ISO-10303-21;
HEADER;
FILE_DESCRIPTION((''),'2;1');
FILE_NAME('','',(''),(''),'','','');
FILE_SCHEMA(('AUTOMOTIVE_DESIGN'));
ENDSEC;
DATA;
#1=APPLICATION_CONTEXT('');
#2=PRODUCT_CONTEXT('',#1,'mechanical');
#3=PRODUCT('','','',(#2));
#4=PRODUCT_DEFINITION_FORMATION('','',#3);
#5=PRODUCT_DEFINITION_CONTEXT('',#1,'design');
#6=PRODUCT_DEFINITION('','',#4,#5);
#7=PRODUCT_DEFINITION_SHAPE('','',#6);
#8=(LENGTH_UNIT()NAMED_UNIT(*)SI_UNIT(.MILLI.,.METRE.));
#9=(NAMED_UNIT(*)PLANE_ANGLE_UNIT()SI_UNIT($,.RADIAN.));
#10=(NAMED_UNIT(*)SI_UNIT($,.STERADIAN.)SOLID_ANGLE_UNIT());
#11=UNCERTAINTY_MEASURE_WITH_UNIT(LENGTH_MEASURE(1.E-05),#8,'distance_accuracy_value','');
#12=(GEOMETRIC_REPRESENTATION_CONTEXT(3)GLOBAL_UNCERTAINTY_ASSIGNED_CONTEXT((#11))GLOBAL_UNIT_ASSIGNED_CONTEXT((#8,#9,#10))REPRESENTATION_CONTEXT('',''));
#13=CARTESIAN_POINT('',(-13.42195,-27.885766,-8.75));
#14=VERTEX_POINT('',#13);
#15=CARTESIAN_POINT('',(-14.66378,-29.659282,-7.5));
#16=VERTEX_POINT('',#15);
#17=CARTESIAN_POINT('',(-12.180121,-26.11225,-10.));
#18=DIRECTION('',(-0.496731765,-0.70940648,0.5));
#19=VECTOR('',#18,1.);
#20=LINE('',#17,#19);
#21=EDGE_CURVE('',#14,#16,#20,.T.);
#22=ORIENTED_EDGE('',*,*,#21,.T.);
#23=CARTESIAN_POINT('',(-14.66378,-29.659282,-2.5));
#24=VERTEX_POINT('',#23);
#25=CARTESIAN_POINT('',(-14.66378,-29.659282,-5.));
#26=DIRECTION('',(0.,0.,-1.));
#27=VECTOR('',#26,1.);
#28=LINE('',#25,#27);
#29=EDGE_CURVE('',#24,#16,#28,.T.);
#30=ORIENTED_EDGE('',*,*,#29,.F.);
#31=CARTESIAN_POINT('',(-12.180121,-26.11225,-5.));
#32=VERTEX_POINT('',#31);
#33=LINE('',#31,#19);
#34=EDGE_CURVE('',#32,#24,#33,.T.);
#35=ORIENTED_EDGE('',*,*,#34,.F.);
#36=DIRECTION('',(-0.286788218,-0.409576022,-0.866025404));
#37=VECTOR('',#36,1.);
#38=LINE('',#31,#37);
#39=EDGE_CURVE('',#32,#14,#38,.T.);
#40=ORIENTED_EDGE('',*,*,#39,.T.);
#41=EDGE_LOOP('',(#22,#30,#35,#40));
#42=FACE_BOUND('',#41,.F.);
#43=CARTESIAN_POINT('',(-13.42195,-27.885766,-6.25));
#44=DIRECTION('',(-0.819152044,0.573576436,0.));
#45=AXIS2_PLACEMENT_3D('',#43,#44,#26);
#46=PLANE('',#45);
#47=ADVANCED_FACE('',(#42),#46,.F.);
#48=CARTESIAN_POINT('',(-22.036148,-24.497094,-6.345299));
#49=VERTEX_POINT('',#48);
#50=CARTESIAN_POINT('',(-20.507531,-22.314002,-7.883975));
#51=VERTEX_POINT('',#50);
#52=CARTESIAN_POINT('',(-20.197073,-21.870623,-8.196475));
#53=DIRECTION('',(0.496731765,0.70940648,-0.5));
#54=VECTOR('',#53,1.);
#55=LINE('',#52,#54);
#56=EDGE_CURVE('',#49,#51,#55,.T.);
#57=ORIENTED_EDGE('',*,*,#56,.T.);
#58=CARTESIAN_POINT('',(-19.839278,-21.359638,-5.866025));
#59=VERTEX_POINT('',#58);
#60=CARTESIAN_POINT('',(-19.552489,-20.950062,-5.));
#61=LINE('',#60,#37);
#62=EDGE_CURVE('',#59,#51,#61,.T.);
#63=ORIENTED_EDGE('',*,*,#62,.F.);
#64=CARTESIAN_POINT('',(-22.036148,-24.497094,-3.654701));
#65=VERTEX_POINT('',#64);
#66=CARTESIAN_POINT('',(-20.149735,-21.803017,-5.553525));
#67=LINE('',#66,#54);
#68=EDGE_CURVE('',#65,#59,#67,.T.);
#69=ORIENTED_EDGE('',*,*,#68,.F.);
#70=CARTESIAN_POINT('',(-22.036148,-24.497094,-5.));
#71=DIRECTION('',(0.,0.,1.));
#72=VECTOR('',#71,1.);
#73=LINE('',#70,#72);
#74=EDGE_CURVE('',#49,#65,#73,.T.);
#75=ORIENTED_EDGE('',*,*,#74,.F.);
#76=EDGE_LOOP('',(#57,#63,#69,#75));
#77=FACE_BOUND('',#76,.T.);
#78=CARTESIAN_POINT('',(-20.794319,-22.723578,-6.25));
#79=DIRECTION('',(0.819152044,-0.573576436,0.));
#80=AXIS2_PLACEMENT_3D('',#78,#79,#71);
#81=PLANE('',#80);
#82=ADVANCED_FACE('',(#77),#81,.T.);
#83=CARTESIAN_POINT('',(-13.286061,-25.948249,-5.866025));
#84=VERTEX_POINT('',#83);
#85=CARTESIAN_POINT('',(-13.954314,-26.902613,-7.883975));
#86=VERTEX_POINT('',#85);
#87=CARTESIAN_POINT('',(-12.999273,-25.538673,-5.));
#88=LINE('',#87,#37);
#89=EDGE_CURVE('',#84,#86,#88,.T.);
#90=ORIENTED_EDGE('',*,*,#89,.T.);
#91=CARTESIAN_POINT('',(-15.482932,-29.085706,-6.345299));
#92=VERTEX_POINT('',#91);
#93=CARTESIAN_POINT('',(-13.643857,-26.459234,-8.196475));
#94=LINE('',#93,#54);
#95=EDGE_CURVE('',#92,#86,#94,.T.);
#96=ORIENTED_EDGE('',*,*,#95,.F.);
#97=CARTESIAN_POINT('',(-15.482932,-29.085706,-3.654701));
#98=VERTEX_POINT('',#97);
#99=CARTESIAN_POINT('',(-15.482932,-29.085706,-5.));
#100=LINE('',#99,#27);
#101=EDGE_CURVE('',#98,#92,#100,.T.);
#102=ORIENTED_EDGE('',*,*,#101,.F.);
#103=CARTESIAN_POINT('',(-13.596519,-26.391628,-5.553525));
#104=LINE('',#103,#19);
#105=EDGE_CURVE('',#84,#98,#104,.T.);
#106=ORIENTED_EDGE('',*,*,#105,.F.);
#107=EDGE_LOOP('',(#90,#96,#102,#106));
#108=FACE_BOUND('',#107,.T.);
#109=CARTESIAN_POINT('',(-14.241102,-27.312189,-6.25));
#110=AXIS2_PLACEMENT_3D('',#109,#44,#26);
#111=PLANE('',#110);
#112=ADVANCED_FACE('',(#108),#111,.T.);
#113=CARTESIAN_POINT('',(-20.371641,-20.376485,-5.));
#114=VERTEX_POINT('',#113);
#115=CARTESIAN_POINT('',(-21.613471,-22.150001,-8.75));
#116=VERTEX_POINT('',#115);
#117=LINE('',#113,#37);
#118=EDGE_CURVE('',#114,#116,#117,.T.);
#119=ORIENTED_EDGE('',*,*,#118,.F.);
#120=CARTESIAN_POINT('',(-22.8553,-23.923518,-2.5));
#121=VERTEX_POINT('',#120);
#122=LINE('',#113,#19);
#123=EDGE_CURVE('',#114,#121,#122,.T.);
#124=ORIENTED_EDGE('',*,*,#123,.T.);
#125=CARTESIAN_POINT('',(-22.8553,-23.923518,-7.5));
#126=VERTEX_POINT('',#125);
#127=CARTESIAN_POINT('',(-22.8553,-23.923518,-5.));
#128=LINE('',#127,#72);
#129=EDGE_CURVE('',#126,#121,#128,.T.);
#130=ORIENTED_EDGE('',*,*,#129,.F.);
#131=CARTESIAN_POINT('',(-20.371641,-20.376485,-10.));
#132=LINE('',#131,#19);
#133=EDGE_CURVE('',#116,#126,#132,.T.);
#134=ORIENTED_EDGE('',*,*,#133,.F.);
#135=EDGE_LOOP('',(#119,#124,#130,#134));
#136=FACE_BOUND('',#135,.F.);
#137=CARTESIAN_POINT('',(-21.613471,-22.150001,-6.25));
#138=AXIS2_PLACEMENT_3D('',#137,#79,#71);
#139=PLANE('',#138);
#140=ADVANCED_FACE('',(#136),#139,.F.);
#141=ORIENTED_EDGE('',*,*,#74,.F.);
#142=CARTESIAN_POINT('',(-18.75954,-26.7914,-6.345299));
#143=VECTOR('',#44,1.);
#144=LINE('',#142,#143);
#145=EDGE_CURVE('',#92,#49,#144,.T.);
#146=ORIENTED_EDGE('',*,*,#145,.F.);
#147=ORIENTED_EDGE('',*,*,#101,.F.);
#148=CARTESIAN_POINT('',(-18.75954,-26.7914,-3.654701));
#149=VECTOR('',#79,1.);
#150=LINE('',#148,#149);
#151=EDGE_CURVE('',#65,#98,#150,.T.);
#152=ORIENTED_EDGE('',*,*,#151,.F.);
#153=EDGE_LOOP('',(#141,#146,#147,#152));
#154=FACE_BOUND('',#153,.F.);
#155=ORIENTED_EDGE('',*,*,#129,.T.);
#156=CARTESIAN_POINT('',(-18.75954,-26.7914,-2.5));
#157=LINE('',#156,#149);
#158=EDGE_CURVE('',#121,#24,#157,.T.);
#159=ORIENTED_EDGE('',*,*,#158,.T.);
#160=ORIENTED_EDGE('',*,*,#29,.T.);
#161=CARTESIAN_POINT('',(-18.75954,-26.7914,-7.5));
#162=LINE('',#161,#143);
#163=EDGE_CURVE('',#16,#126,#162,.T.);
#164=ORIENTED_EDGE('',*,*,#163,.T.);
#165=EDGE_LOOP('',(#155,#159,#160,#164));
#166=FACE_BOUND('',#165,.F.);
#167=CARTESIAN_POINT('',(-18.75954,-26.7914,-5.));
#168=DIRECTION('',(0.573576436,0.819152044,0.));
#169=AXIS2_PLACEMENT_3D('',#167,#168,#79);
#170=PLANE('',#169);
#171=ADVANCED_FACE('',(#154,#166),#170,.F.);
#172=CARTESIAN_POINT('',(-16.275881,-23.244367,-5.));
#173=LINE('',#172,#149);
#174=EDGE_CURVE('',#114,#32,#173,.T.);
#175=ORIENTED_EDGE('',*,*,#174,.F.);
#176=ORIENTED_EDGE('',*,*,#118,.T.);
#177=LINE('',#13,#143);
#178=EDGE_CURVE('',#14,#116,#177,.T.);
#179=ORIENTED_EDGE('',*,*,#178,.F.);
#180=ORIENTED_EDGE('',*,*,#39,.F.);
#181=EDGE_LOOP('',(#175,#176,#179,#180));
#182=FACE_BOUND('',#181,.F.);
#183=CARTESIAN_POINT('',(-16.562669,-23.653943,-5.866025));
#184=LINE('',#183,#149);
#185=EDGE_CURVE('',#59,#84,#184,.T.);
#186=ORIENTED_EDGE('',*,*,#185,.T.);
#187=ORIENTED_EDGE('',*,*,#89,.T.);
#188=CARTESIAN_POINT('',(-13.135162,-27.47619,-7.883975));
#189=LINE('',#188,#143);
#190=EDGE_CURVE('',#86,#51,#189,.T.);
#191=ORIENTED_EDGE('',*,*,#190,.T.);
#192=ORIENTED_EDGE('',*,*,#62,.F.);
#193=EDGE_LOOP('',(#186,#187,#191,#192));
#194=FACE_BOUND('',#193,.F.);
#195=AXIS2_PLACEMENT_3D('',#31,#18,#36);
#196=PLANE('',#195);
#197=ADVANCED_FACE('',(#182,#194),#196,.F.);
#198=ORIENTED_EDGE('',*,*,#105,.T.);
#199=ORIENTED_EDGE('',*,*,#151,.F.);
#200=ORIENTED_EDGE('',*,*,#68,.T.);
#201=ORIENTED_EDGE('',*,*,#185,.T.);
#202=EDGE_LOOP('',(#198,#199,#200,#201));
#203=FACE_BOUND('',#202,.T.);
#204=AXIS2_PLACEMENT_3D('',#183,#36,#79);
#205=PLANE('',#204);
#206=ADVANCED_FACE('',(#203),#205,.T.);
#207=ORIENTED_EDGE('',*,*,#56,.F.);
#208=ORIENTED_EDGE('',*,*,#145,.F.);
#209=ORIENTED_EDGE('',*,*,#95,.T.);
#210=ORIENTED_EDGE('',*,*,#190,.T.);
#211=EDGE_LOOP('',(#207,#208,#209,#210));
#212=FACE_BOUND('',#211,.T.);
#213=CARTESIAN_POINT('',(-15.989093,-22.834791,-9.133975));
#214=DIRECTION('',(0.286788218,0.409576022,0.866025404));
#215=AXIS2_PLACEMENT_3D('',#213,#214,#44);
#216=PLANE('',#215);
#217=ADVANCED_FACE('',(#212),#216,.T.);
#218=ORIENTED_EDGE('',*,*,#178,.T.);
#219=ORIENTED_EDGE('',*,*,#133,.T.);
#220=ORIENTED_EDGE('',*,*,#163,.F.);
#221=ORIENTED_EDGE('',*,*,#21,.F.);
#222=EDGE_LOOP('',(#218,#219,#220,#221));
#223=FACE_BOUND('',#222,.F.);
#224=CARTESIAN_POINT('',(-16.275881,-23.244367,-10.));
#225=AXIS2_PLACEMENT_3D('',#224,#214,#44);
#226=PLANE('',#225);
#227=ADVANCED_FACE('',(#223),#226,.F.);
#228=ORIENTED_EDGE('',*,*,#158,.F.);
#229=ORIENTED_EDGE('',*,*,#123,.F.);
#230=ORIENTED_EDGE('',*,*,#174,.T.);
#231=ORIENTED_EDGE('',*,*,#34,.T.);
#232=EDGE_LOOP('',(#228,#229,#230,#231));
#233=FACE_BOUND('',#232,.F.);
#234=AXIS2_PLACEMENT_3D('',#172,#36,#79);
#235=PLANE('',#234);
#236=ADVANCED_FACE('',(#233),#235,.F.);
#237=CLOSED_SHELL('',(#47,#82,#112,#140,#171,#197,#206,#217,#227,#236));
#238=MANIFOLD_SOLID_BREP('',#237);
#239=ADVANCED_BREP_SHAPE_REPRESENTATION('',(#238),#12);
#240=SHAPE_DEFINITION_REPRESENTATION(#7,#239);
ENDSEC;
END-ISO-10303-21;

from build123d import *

# Parameters (mm, degrees)
F3_W     = 10
F3_H     = 5
F8_DEPTH = 10
F9_T     = -1


with BuildPart() as f6:
    # F6: sweep along a path in F5
    with BuildLine(Plane(origin=(0, 0, 0), x_dir=(0.5735764364, 0.8191520443, 0), z_dir=(0.8191520443, -0.5735764364, 0))) as f6_path:
        Line((-28.3761330307, -7.5), (-32.7062600496, -5))
    # F3 (on line) → F6 (sweep)
    with BuildSketch(Plane(origin=(-18.7595400856, -26.7913997807, 0), x_dir=(-0.8191520443, 0.5735764364, 0), z_dir=(0.5735764364, 0.8191520443, 0))):
        with Locations((0, -5)):
            Rectangle(F3_W, F3_H)
    sweep(path=f6_path.line)

    # F7 (on face) → F8 (cut, through all)
    with BuildSketch(Plane(origin=(4.0957602214, -2.8678821818, 0), x_dir=(0.5735764364, 0.8191520443, 0), z_dir=(0.8191520443, -0.5735764364, 0))):
        Polygon((-28.3761330307, -10), (-28.3761330307, -5), (-30.5411965402, -8.75), align=None)
    extrude(amount=-F8_DEPTH, mode=Mode.SUBTRACT)

    # F9
    f9_openings = [f6.faces().sort_by_distance(p)[0] for p in [
        (-16.896796, -24.131125, -6.875),
        (-18.75954, -26.7914, -5),
    ]]
    offset(amount=F9_T, openings=f9_openings)


solid = f6.part
